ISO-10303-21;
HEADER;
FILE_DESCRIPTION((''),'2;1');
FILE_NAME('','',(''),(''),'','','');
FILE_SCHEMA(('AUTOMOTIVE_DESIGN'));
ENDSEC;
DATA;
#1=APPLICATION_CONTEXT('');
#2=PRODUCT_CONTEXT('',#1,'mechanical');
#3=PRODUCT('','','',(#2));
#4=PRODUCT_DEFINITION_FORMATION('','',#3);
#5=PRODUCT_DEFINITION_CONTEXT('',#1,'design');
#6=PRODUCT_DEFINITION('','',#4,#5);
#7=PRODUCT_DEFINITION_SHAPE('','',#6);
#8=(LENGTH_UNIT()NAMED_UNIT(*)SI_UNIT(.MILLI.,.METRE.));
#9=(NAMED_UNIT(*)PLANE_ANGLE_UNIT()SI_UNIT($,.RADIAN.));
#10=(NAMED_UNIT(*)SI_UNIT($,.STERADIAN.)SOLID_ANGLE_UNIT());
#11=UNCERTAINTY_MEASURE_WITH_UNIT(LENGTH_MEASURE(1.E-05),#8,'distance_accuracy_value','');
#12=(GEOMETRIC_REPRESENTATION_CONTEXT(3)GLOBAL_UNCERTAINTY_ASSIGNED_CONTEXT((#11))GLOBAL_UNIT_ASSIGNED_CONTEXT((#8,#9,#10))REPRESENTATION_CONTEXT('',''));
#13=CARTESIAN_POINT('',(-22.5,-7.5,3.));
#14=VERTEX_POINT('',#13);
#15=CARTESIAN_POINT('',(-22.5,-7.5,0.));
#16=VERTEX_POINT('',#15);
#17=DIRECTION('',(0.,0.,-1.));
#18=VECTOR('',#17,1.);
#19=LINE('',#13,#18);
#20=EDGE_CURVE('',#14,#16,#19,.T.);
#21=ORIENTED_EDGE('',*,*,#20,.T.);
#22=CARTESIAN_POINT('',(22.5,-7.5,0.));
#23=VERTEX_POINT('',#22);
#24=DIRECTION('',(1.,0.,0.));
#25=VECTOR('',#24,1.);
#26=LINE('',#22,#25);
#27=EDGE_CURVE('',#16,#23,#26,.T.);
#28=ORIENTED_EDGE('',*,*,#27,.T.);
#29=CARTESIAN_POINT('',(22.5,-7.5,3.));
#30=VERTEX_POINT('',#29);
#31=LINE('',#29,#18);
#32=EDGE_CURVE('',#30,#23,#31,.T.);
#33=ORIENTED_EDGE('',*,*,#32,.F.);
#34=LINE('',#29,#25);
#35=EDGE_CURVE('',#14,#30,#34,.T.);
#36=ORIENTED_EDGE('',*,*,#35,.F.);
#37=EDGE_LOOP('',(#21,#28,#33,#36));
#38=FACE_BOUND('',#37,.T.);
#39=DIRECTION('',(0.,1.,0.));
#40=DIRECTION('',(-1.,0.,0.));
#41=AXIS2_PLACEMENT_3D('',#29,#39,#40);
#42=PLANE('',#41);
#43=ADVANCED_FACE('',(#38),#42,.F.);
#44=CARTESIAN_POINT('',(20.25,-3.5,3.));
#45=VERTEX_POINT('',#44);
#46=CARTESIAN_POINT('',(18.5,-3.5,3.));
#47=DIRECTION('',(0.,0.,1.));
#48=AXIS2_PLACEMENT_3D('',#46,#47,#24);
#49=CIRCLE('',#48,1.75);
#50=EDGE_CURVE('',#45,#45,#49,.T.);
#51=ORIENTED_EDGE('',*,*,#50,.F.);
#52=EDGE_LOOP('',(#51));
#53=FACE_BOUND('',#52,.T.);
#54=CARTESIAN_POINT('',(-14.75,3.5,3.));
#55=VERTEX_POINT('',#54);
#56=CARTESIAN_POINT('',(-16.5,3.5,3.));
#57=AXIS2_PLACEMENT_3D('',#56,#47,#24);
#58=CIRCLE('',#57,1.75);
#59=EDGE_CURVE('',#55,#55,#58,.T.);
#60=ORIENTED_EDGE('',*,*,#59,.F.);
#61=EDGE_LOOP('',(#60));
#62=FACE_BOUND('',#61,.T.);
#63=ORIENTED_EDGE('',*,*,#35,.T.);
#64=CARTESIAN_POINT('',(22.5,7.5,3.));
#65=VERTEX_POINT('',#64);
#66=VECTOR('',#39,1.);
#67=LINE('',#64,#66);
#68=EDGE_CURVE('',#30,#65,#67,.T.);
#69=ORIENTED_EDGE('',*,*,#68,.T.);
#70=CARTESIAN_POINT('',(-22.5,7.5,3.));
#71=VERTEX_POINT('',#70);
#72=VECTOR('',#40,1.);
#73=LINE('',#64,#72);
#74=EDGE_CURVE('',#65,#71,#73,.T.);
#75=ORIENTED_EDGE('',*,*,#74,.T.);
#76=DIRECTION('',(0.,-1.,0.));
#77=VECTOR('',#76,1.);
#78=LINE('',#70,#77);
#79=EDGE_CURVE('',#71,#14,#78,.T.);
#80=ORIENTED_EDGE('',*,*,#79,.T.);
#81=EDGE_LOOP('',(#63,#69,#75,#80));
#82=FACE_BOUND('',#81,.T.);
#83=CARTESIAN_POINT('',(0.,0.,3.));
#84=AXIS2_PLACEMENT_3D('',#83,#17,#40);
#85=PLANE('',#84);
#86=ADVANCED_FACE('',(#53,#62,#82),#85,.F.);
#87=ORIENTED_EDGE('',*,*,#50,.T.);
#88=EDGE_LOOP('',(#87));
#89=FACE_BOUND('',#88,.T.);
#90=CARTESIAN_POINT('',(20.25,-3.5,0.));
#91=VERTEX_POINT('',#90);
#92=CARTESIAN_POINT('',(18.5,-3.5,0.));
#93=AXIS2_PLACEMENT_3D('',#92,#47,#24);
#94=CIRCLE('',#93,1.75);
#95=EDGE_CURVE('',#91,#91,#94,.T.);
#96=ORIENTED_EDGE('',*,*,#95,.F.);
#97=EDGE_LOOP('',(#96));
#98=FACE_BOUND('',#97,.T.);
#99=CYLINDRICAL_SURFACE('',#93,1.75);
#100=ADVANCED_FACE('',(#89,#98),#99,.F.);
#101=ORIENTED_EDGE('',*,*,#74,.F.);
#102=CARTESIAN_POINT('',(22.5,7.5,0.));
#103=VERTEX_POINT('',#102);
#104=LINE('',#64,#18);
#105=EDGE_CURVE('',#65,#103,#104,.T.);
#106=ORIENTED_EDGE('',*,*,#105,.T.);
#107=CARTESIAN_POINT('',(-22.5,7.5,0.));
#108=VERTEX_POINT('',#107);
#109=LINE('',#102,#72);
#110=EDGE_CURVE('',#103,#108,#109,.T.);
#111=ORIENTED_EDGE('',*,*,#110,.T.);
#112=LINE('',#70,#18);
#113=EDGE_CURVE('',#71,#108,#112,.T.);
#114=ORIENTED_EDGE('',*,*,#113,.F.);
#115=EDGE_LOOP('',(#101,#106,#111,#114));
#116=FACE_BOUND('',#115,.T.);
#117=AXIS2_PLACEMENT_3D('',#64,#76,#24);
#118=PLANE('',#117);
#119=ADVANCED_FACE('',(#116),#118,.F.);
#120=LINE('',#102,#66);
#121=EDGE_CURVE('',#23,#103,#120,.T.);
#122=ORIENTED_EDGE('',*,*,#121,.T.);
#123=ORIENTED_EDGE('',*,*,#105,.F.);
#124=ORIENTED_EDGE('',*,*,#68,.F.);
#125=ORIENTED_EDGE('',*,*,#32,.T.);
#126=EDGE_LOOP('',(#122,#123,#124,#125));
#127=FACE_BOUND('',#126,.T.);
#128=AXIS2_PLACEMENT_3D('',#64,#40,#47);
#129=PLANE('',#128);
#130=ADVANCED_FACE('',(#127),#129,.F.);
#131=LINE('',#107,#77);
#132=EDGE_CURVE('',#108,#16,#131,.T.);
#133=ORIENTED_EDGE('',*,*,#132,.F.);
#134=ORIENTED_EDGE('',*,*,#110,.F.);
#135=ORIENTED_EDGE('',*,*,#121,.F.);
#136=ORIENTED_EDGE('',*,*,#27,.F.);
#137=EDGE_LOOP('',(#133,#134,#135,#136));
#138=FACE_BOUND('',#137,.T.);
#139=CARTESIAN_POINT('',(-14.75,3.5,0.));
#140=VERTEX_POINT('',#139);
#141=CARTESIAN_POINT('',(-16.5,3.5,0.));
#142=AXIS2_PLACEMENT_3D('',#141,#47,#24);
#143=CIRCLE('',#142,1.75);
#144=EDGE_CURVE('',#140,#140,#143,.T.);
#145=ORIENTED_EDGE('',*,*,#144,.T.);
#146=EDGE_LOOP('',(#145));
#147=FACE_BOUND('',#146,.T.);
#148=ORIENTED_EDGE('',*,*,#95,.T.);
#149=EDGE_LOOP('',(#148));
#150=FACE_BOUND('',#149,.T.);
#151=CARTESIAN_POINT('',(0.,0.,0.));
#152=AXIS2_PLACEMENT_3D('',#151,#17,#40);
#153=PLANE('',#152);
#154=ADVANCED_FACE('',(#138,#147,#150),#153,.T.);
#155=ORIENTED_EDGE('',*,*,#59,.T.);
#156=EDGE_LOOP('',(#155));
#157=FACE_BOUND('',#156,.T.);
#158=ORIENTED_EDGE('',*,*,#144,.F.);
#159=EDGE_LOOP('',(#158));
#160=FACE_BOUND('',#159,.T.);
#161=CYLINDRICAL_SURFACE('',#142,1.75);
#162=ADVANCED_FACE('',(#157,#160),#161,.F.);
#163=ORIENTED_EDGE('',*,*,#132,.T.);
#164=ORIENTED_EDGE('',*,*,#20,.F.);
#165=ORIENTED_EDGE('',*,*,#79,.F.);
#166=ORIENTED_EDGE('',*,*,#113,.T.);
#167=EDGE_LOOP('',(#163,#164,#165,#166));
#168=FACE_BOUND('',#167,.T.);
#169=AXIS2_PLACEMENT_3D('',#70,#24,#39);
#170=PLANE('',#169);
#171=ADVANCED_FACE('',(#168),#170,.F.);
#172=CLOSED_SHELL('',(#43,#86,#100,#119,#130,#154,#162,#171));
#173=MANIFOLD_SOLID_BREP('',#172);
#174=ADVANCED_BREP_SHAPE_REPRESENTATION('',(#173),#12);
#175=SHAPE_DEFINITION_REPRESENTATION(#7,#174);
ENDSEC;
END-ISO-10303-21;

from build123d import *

# Parameters (mm, degrees)
SKETCH1_W           = 45
SKETCH1_H           = 15
BOSS_EXTRUDE1_DEPTH = 3
SKETCH3_R           = 1.75
CUT_EXTRUDE1_DEPTH  = 3


with BuildPart() as part:
    # Sketch1 → Boss-Extrude1 (new body)
    with BuildSketch(Plane.XY):
        Rectangle(SKETCH1_W, SKETCH1_H)
    extrude(amount=BOSS_EXTRUDE1_DEPTH)

    # Sketch3 → Cut-Extrude1 (cut)
    with BuildSketch(Plane.XY.offset(3)):
        with Locations((18.5, -3.5)):
            Circle(SKETCH3_R)
        with Locations((-16.5, 3.5)):
            Circle(SKETCH3_R)
    extrude(amount=-CUT_EXTRUDE1_DEPTH, mode=Mode.SUBTRACT)


solid = part.part
